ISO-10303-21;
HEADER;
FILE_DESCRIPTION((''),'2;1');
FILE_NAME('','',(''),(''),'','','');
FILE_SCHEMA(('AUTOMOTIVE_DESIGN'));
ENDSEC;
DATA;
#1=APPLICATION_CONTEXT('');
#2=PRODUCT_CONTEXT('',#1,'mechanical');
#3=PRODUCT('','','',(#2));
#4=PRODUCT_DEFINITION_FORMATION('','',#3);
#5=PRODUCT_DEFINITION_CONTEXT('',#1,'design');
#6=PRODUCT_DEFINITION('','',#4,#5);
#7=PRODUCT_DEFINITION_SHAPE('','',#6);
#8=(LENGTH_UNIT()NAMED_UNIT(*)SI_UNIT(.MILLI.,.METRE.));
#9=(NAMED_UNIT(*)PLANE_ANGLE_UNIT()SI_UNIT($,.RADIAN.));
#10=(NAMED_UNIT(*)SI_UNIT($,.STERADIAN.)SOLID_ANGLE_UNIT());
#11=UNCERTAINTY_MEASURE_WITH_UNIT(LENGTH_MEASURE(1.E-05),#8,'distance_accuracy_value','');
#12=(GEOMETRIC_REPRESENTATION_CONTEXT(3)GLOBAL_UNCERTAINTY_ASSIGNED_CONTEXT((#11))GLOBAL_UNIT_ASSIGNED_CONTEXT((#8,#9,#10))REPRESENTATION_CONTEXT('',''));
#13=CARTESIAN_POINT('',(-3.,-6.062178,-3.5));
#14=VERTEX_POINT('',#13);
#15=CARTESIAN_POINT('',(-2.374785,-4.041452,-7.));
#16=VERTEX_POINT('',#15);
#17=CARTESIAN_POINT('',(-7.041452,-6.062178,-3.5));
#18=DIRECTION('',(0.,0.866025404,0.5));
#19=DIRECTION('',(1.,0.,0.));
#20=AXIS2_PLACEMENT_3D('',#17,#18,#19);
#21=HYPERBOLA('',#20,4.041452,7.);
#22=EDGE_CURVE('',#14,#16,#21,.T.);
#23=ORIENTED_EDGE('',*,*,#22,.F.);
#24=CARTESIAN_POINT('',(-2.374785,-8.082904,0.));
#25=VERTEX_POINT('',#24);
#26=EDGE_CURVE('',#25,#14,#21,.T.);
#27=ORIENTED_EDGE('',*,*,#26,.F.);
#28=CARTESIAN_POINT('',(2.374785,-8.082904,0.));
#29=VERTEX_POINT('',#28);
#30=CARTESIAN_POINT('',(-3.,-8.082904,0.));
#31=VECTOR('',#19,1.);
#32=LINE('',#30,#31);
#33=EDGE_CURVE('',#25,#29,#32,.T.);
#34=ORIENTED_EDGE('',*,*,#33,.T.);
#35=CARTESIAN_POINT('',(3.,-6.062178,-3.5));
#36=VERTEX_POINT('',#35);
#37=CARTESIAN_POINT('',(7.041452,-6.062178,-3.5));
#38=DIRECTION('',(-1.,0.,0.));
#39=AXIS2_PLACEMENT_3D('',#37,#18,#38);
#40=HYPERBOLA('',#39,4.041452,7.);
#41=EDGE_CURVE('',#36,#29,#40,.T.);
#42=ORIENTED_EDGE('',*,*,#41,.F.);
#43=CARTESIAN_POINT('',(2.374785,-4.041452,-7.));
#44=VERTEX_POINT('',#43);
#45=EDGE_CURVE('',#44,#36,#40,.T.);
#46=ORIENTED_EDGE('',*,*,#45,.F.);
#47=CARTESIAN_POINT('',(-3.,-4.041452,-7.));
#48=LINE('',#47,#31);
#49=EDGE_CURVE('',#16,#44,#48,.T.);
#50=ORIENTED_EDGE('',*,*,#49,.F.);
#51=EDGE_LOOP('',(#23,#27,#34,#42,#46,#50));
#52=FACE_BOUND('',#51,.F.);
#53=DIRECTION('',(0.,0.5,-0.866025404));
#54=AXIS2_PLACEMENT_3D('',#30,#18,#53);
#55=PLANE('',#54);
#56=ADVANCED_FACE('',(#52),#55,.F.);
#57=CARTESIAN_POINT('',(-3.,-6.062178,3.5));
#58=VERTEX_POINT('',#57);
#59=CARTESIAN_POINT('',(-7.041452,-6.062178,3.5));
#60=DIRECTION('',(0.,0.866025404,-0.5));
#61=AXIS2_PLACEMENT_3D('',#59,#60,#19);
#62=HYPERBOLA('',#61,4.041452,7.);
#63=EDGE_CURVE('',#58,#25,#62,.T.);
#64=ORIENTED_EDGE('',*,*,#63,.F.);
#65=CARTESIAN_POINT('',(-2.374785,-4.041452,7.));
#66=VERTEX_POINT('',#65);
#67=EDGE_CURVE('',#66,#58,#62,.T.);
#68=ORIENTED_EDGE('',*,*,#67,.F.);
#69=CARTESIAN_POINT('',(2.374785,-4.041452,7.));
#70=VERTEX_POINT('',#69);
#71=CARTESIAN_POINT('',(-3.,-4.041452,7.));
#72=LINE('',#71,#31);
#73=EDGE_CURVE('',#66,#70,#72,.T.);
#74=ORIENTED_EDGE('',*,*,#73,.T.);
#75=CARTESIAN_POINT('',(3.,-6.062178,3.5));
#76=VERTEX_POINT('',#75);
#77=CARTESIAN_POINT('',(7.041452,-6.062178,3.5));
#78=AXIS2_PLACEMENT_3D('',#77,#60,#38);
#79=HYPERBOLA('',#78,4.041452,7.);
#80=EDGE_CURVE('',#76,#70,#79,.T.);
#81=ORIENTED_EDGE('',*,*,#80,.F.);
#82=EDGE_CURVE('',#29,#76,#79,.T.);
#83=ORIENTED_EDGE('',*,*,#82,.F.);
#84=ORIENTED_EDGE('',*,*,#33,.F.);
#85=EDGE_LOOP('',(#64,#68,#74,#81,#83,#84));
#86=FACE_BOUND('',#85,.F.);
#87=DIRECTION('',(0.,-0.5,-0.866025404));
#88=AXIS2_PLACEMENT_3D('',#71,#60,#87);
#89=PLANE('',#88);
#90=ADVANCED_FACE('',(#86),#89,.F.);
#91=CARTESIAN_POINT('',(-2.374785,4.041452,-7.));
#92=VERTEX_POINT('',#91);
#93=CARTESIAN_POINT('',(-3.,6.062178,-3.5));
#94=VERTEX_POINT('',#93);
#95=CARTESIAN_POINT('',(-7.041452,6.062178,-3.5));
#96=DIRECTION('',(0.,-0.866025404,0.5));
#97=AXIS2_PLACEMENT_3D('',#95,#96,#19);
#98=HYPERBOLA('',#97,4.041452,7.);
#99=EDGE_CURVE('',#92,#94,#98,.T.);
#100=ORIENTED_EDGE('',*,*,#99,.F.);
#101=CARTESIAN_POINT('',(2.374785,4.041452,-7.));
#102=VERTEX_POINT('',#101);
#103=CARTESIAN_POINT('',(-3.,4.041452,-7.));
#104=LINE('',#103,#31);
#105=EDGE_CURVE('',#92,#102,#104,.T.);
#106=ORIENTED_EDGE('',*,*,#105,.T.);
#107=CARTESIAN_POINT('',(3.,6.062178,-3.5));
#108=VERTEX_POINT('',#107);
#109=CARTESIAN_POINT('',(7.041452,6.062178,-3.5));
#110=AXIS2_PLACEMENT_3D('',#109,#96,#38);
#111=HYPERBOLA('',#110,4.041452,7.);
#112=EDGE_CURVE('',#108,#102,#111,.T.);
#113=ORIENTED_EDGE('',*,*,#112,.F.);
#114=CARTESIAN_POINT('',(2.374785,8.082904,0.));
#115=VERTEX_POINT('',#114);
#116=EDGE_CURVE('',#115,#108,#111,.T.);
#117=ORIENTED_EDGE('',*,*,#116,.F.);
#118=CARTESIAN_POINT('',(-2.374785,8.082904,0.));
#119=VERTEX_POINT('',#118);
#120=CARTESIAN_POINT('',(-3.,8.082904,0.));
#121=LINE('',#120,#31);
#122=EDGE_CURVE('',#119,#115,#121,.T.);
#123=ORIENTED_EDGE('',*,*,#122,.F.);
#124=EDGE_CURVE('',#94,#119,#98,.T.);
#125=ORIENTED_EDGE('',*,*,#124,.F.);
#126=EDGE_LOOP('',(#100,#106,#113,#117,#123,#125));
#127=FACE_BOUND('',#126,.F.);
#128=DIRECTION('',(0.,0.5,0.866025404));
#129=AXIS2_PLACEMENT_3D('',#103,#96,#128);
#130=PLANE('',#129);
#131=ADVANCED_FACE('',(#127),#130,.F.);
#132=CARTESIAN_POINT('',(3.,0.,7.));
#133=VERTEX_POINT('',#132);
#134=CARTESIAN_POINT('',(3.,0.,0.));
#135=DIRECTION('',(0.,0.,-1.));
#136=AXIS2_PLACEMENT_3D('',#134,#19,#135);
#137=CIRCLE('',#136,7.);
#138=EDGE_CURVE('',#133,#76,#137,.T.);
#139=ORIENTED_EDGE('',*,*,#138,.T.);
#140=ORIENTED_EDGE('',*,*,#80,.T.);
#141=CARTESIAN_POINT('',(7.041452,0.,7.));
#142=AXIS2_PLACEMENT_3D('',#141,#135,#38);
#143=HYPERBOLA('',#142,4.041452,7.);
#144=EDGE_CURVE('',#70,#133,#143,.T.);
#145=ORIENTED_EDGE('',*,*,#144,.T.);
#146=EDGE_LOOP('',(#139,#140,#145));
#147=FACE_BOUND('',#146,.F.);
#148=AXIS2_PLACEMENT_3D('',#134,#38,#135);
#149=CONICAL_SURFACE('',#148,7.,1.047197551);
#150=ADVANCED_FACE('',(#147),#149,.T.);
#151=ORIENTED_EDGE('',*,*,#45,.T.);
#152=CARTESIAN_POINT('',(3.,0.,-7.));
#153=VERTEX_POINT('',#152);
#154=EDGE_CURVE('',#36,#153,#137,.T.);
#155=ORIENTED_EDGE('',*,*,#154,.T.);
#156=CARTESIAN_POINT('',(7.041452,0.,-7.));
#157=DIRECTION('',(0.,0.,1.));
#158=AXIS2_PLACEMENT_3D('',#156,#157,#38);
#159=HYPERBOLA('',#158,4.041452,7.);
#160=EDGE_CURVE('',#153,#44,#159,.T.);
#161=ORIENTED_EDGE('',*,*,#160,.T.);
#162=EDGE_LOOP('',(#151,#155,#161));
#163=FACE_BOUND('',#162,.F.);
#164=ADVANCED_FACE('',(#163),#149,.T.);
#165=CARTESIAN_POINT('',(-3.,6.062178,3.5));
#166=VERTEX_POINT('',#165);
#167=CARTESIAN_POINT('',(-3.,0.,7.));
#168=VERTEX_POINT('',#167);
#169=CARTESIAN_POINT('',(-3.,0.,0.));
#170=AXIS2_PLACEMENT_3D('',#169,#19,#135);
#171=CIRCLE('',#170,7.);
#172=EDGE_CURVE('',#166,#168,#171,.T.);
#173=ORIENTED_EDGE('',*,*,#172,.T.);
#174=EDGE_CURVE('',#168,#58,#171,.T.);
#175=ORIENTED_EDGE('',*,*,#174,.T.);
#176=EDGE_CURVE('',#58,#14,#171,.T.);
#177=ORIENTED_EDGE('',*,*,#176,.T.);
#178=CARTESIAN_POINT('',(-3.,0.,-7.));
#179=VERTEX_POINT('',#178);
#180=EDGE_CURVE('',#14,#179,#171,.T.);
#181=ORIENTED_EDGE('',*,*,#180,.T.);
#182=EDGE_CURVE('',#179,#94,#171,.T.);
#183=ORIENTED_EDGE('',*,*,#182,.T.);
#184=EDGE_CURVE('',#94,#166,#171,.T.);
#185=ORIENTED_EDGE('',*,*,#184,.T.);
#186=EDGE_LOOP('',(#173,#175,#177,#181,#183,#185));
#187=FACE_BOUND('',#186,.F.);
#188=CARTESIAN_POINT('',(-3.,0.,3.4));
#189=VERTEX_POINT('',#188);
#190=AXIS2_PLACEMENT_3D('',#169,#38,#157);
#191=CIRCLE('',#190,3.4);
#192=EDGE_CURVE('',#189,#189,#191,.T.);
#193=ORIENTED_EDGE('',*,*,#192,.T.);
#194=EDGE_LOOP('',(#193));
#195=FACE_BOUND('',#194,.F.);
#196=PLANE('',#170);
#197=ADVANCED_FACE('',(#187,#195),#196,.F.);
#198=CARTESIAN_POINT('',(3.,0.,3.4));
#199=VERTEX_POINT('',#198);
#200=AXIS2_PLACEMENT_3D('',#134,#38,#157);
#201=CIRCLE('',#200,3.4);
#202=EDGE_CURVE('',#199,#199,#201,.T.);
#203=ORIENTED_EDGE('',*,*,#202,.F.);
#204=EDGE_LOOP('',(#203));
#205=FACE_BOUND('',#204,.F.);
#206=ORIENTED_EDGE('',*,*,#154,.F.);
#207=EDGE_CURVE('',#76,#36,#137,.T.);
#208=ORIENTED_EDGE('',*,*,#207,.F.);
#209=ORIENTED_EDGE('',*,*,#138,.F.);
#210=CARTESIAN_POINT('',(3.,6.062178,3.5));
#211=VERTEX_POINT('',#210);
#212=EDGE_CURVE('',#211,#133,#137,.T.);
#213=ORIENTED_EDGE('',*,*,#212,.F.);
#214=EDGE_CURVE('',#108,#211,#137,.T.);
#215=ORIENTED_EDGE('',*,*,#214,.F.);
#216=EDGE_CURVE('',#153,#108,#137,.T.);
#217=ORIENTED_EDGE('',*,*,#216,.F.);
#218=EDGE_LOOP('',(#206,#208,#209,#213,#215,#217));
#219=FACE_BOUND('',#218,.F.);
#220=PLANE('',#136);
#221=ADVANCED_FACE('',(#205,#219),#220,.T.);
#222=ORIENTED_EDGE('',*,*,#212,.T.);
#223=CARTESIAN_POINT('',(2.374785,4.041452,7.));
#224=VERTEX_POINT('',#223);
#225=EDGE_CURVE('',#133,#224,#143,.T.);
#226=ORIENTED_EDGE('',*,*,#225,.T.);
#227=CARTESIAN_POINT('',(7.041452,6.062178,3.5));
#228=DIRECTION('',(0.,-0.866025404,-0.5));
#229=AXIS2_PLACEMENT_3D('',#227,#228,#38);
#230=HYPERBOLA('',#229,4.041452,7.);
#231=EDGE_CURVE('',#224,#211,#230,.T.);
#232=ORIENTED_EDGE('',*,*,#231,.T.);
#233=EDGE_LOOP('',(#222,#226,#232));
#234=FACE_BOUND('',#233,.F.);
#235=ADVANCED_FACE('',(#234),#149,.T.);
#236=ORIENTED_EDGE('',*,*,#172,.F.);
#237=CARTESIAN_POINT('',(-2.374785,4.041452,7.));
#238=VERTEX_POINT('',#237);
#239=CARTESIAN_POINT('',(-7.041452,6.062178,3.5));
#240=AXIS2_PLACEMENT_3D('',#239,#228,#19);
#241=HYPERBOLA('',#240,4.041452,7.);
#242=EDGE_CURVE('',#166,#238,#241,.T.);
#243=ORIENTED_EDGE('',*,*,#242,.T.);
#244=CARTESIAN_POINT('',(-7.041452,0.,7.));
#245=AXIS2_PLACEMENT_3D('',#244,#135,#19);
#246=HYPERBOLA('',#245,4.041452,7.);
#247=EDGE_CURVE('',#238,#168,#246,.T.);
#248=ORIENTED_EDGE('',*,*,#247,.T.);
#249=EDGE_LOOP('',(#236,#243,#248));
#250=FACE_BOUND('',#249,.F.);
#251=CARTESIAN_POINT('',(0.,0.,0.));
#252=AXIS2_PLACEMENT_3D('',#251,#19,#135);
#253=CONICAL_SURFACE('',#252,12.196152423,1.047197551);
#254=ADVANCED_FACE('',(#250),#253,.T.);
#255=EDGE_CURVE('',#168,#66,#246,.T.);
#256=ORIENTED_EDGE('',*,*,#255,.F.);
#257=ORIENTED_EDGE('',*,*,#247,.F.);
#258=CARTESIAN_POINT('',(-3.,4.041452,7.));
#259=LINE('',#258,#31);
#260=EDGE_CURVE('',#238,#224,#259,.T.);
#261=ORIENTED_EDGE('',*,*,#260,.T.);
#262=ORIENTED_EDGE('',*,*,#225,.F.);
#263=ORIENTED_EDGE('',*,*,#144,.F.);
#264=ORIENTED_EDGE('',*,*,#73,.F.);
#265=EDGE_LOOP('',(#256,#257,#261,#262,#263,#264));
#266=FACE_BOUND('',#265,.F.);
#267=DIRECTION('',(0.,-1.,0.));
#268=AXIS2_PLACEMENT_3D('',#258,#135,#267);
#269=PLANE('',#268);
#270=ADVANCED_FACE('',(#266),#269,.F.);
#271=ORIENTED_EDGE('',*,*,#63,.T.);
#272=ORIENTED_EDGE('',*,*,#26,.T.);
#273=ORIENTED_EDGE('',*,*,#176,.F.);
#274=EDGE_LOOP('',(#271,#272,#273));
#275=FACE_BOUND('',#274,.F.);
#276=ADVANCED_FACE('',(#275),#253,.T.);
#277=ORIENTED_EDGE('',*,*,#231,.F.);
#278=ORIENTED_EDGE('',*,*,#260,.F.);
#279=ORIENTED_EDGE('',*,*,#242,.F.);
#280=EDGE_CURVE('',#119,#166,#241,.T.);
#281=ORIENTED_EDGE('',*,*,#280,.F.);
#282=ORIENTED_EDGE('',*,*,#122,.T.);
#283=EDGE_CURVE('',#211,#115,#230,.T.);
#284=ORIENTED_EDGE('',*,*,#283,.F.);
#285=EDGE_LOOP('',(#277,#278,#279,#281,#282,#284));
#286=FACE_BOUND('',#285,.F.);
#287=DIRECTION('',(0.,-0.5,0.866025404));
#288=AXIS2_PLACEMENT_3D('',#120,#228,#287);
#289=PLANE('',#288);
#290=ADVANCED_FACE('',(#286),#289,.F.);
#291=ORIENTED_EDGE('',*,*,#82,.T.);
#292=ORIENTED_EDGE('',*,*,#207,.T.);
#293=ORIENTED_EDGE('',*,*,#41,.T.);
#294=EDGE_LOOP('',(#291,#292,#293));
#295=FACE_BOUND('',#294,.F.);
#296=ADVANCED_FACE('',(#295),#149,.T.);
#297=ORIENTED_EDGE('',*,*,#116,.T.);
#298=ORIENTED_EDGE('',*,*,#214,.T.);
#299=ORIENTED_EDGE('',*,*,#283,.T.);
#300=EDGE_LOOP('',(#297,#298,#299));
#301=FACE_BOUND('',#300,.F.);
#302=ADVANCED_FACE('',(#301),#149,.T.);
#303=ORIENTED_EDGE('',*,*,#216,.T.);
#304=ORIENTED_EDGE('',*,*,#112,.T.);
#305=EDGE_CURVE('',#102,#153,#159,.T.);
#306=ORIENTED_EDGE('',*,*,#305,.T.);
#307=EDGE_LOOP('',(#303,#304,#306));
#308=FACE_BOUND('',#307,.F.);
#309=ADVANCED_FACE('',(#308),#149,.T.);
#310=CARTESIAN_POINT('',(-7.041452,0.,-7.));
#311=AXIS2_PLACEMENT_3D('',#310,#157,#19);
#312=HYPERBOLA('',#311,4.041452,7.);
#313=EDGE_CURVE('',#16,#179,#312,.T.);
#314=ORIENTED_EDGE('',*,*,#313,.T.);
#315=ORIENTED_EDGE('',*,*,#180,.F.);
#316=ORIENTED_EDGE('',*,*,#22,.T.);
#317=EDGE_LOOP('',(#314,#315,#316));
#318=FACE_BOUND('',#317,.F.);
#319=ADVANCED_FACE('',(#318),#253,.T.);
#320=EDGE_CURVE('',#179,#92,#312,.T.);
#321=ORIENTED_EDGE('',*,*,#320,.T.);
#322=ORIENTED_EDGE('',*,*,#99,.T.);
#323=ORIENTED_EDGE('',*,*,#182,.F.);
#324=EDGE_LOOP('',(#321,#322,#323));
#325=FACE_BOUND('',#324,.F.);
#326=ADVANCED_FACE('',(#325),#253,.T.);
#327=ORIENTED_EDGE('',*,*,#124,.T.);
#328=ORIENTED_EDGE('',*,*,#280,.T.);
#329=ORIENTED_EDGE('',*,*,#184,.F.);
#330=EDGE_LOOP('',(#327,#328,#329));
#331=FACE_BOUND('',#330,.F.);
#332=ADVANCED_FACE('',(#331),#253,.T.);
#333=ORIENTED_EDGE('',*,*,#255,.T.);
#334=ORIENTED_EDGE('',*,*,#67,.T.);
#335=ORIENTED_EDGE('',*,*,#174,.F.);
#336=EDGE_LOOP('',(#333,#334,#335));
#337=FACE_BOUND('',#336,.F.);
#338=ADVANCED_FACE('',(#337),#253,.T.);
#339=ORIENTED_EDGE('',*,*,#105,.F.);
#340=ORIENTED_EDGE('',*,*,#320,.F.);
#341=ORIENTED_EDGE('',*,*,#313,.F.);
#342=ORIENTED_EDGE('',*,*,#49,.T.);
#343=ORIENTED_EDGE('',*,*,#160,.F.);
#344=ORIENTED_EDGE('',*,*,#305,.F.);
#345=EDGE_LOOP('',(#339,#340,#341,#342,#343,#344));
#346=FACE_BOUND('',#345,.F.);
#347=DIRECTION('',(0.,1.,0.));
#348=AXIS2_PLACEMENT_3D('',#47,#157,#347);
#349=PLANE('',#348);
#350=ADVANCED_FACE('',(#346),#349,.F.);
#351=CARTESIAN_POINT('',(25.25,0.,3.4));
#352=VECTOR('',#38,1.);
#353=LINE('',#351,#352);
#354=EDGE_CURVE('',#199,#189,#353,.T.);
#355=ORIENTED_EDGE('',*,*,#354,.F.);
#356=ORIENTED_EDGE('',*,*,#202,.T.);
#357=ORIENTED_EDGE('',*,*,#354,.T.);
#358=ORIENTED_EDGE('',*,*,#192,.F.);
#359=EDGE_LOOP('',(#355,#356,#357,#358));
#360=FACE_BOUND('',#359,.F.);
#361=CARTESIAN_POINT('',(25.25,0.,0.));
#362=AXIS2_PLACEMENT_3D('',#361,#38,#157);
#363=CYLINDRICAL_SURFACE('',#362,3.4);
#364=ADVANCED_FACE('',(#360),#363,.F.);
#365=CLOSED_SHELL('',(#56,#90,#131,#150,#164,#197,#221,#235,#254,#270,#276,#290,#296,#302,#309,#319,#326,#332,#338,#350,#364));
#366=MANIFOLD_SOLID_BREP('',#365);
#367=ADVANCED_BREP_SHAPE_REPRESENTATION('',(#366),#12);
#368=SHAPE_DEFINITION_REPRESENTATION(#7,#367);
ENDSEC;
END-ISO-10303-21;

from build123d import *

# Parameters (mm, degrees)
ENL_V_MAT_EXTRU_1_DEPTH = 7
PER_AGE2_D              = 6.8
PER_AGE2_DEPTH          = 22.25
PER_AGE2_TIP            = 2.042926105


with BuildPart() as part:
    # Esquisse1 → Base-Révolution (revolve)
    with BuildSketch(Plane.XY, mode=Mode.PRIVATE) as base_r_volution_sk:
        Polygon((-3, 0), (3, 0), (3, 7), (0, 12.196152423), (-3, 7), align=None)
    revolve(base_r_volution_sk.sketch.rotate(Axis((-10.755568754, 0, 0), (1, 0, 0)), 270), axis=Axis((-10.755568754, 0, 0), (1, 0, 0)))  # turned: the seam where the file's is

    # Esquisse2 → Enlèv. mat.-Extru.1 (cut, through all)
    with BuildSketch(Plane.ZY.offset(3)):
        Polygon((0, 19.629909152), (17, 9.814954576), (17, -9.814954576), (0, -19.629909152), (-17, -9.814954576), (-17, 9.814954576), align=None)
        Polygon((0, 8.082903769), (7, 4.041451884), (7, -4.041451884), (0, -8.082903769), (-7, -4.041451884), (-7, 4.041451884), align=None, mode=Mode.SUBTRACT)
    extrude(amount=-ENL_V_MAT_EXTRU_1_DEPTH, mode=Mode.SUBTRACT)

    # Perçage2
    with Locations(Plane(origin=(3, 0, 0), x_dir=(0, 0, -1), z_dir=(1, 0, 0))):
        with Locations((0, 0)):
            Hole(PER_AGE2_D / 2, depth=PER_AGE2_DEPTH)
            with Locations((0, 0, -(PER_AGE2_DEPTH + PER_AGE2_TIP / 2))):  # 118° drill point
                Cone(0, PER_AGE2_D / 2, PER_AGE2_TIP, mode=Mode.SUBTRACT)


solid = part.part
